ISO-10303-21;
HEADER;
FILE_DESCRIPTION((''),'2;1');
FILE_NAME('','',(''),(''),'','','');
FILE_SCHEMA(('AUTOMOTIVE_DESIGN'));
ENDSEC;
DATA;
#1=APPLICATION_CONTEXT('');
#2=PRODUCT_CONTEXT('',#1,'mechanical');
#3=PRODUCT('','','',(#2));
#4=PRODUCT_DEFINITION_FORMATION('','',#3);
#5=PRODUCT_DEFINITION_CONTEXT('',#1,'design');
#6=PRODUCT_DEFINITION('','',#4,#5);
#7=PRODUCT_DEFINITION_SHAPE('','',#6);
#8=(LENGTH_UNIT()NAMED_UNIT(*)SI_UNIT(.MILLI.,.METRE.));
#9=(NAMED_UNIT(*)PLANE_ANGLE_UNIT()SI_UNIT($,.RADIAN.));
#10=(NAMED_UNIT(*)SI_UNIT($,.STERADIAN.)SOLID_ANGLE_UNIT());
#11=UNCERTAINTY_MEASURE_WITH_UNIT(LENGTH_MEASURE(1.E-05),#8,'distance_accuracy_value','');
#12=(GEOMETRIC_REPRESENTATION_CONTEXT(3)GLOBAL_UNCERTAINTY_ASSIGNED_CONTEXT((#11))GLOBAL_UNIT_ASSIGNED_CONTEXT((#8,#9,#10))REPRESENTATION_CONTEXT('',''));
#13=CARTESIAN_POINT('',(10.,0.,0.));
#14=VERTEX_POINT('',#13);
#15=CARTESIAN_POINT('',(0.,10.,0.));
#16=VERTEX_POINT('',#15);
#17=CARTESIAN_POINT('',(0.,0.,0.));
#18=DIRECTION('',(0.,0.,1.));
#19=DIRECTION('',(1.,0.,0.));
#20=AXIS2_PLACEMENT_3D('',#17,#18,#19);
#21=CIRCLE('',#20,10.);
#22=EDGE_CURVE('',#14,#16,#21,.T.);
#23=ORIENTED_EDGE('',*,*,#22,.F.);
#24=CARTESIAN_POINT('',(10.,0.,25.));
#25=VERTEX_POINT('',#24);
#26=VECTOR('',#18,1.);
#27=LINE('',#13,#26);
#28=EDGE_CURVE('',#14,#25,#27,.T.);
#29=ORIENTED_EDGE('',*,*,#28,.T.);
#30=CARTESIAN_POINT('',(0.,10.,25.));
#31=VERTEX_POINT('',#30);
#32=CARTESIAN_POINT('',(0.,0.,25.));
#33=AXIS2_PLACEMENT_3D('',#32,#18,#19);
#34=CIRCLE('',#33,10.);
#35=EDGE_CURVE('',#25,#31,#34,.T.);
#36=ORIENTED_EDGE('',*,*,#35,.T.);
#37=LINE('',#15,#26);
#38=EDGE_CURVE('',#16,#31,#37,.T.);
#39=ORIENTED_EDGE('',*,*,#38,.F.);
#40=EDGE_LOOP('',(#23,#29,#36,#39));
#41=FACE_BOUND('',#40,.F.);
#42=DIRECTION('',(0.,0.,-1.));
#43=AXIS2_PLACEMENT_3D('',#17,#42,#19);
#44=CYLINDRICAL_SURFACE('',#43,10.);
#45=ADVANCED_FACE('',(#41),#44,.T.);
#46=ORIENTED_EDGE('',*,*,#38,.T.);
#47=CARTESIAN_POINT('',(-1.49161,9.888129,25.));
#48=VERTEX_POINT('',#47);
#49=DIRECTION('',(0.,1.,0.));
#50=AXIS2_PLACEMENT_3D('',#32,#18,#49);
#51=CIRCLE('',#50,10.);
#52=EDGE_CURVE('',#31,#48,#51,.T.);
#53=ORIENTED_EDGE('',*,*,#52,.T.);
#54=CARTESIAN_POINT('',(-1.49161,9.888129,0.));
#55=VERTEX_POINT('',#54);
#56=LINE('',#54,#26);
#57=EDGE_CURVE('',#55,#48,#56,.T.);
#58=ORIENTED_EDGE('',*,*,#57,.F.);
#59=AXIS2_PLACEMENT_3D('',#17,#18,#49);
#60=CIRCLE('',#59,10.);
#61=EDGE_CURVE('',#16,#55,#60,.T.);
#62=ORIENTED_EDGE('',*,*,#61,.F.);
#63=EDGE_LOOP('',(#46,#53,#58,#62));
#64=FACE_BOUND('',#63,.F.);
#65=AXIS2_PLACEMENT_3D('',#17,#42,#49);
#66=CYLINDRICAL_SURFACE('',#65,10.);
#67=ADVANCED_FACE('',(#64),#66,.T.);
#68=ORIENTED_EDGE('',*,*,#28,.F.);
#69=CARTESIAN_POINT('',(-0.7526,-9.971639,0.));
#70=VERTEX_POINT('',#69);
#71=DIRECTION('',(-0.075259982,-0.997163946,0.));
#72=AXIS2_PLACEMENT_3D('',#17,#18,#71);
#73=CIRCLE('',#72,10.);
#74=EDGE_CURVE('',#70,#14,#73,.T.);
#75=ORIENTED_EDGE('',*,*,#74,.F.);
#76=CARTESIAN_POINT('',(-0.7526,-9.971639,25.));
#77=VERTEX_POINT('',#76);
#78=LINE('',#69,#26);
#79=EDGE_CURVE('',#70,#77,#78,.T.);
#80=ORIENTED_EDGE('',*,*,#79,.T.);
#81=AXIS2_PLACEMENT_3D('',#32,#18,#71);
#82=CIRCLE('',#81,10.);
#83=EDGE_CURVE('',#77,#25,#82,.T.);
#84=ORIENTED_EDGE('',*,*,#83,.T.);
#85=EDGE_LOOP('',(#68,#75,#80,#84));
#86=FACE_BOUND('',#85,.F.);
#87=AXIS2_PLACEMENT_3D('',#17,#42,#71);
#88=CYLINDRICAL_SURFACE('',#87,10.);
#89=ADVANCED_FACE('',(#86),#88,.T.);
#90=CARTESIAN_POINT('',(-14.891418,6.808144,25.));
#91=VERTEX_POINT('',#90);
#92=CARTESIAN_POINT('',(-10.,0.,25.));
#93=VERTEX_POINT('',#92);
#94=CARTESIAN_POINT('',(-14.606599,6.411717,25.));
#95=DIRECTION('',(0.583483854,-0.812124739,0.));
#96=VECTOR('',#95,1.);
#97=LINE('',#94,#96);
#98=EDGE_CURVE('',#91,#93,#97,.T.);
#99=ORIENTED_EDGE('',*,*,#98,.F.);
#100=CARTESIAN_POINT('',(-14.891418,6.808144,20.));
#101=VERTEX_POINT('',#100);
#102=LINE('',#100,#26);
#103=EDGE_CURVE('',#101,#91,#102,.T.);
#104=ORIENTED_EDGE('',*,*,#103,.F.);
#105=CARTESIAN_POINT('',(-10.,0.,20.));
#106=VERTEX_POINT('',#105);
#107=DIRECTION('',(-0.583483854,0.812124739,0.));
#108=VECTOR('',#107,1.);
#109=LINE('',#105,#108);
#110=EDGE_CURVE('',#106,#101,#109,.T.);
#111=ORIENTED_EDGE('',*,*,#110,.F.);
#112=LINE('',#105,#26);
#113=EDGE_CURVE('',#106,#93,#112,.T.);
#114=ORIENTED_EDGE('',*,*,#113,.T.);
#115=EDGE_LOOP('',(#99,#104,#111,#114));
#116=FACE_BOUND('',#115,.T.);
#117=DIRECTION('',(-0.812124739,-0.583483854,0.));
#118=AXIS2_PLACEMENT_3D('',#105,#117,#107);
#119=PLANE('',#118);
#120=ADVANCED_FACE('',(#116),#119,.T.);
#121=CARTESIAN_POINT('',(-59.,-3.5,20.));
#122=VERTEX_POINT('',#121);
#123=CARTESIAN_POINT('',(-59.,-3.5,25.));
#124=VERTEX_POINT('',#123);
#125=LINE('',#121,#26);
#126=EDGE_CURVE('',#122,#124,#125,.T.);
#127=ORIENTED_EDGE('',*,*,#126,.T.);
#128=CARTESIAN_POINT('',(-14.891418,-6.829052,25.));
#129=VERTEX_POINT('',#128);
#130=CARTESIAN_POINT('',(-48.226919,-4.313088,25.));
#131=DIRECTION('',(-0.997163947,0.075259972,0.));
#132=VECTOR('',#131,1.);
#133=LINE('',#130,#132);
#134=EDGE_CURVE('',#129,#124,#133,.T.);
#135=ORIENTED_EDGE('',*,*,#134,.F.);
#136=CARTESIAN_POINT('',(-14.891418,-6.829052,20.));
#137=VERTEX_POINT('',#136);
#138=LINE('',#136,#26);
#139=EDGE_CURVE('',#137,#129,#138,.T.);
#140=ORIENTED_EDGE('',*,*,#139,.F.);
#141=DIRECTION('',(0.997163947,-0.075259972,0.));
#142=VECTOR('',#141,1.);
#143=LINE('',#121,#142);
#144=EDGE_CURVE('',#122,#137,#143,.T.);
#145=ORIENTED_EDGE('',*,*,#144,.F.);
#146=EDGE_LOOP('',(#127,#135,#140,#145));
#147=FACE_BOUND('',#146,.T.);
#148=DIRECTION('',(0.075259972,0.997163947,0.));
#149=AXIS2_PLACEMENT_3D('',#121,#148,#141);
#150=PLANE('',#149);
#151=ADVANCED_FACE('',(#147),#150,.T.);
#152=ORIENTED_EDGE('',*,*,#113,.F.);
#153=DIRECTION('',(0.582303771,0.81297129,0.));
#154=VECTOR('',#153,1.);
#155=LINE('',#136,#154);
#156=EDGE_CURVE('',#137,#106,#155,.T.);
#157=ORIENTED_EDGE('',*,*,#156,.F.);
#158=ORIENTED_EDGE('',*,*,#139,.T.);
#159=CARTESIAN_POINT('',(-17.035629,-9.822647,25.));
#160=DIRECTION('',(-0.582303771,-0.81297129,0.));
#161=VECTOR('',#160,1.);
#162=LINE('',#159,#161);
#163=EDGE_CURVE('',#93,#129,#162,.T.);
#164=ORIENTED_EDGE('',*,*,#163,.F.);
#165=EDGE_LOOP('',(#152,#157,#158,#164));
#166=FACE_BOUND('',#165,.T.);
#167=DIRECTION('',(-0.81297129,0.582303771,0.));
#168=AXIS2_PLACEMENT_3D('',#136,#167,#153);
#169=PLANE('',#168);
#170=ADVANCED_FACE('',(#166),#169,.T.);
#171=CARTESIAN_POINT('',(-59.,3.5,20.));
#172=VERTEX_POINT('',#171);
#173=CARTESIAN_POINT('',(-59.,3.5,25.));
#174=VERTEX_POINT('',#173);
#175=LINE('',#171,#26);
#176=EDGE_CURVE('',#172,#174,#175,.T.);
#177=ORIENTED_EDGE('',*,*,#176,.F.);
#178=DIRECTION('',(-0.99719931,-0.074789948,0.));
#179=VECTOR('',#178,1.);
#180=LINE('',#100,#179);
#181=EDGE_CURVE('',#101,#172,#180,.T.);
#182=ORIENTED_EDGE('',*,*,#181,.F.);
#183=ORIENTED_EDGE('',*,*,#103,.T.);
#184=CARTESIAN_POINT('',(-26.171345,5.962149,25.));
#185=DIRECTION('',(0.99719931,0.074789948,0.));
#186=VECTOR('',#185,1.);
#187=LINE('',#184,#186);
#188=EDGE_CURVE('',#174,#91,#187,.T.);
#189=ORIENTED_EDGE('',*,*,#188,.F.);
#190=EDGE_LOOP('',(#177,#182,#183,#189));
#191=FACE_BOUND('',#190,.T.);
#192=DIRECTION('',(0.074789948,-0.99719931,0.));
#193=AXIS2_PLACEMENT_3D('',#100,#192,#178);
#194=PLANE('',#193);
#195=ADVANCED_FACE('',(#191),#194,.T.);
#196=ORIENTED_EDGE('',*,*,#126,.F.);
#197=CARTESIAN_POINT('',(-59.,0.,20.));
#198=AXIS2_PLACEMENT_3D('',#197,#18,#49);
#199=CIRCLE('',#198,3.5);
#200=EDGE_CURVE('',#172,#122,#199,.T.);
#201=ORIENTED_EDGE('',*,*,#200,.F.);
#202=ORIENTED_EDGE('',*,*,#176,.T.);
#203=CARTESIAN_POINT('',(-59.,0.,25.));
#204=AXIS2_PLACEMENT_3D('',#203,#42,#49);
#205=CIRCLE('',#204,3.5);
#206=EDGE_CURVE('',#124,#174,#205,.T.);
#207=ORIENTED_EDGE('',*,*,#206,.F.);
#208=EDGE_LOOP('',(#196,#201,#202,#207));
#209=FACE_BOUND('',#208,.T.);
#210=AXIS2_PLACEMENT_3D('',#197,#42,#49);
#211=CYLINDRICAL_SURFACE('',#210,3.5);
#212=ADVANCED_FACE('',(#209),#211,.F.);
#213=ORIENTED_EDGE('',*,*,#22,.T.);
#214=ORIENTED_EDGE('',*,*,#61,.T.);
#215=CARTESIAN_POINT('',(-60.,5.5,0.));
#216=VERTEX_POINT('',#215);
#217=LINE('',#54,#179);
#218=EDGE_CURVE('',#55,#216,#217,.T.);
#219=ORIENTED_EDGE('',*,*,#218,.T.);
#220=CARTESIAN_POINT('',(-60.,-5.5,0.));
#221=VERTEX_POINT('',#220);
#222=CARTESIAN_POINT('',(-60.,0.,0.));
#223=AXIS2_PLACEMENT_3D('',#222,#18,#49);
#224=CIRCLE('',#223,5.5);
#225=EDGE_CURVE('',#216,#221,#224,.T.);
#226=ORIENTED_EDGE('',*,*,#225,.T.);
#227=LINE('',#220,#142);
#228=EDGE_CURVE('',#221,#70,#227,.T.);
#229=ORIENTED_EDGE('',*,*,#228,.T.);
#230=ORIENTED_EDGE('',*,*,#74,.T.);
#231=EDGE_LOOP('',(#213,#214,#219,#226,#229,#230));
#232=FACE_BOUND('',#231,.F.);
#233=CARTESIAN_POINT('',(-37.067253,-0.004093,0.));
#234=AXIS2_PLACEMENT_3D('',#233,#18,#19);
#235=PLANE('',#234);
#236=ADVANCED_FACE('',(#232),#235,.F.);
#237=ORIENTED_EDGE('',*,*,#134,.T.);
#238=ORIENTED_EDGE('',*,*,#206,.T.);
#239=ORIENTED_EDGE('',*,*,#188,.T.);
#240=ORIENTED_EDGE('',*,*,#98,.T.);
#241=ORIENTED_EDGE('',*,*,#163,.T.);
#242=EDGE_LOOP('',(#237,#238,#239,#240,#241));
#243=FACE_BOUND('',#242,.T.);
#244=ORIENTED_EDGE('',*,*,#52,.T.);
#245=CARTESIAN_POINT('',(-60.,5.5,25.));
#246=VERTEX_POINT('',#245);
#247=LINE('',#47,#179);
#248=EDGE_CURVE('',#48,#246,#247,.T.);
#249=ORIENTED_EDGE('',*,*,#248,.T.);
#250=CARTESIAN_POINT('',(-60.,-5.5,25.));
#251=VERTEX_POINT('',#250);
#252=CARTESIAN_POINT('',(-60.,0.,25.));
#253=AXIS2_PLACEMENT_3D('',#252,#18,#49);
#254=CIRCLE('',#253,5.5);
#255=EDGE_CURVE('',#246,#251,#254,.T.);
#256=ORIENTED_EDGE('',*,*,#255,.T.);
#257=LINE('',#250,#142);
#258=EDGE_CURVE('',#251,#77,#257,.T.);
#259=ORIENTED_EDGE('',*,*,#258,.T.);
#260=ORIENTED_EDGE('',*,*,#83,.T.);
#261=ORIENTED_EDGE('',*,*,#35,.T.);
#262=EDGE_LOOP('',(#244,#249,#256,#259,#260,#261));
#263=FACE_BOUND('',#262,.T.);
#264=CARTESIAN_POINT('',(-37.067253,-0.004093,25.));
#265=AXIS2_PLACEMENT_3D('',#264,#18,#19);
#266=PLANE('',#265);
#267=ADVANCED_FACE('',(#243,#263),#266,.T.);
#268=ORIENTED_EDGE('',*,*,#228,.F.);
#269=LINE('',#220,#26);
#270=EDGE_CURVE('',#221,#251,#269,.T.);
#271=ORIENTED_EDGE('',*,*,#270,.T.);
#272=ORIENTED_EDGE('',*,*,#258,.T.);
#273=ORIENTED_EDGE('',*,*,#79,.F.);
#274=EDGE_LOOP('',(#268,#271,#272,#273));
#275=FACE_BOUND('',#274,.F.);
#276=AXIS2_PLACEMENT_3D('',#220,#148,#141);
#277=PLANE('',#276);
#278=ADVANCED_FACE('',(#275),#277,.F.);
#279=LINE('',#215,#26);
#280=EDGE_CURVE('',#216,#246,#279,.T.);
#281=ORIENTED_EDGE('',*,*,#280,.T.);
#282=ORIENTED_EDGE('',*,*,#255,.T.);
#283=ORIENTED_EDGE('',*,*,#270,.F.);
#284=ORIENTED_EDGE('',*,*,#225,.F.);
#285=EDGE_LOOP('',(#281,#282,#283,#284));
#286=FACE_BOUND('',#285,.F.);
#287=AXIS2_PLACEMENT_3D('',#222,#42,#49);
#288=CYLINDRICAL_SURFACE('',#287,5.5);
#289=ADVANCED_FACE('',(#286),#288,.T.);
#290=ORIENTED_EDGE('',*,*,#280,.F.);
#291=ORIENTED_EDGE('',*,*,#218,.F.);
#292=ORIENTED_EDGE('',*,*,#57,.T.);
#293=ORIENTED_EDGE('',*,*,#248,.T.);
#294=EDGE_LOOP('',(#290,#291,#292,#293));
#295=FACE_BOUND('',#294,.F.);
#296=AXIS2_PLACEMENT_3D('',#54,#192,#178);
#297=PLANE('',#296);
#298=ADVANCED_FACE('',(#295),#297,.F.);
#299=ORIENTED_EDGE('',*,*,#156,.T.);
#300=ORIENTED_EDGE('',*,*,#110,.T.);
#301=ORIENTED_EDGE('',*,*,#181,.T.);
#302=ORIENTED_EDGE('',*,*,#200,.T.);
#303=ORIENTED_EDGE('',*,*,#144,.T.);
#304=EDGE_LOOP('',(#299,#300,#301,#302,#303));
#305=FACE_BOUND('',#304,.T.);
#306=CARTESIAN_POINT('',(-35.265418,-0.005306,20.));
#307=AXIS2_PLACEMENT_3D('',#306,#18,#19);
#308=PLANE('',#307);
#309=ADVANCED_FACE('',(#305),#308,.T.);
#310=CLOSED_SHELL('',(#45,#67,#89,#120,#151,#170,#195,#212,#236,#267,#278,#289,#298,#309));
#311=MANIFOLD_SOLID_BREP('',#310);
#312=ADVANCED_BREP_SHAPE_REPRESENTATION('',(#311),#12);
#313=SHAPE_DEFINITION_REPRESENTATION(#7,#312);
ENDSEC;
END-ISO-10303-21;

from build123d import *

# Parameters (mm, degrees)
F0_R     = 7
F0_R_2   = 6
F1_DEPTH = 25
F3_START = 20
F3_DEPTH = 10


with BuildPart() as f1:
    # F0 (on Top) → F1 (new body)
    with BuildSketch(Plane.XY):
        with BuildLine():
            Line((-23.5798439344, -6.2340971038), (-10, 0))
            Line((-10, 0), (-23.5798439344, 6.2170174071))
            Line((-23.5798439344, 6.2170174071), (-59.8497580387, 3.4967738493))
            ThreePointArc((-59.8497580387, 3.4967738493), (-63.4999999675, -0.0004767763), (-59.8488053705, -3.496732787))
            Line((-59.8488053705, -3.496732787), (-23.5798439344, -6.2340971038))
        make_face()
        with BuildLine():
            ThreePointArc((-0.7525998222, -9.9716394594), (6.7997794735, -7.3323256277), (10, 0))
            ThreePointArc((10, 0), (7.0710678119, 7.0710678119), (0, 10))
            Line((0, 10), (-1.4916096955, 9.8881292728))
            ThreePointArc((-1.4916096955, 9.8881292728), (-4.2331341707, 9.059833061), (-6.6274556663, 7.4884465272))
            ThreePointArc((-6.6274556663, 7.4884465272), (-9.1179645937, 4.1064244384), (-10, 0))
            ThreePointArc((-10, 0), (-9.1094152791, -4.125354927), (-6.5962893453, -7.5159142407))
            ThreePointArc((-6.5962893453, -7.5159142407), (-3.8741695351, -9.2190460685), (-0.7525998222, -9.9716394594))
        make_face()
        Circle(F0_R, mode=Mode.SUBTRACT)
        Circle(F0_R)
        Circle(F0_R_2, mode=Mode.SUBTRACT)
        Circle(F0_R_2)
        with BuildLine():
            Line((-60, -5.5), (-0.7525998222, -9.9716394594))
            ThreePointArc((-0.7525998222, -9.9716394594), (-3.8741695351, -9.2190460685), (-6.5962893453, -7.5159142407))
            Line((-6.5962893453, -7.5159142407), (-23.5798439344, -6.2340971038))
            Line((-23.5798439344, -6.2340971038), (-59.8488053705, -3.496732787))
            Line((-59.8488053705, -3.496732787), (-60, -5.5))
        make_face()
        with BuildLine():
            ThreePointArc((-6.6274556663, 7.4884465272), (-4.2331341707, 9.059833061), (-1.4916096955, 9.8881292728))
            Line((-1.4916096955, 9.8881292728), (-60, 5.5))
            Line((-60, 5.5), (-59.8497580387, 3.4967738493))
            Line((-59.8497580387, 3.4967738493), (-23.5798439344, 6.2170174071))
            Line((-23.5798439344, 6.2170174071), (-6.6274556663, 7.4884465272))
        make_face()
        with BuildLine():
            Line((-23.5798439344, -6.2340971038), (-6.5962893453, -7.5159142407))
            ThreePointArc((-6.5962893453, -7.5159142407), (-9.1094152791, -4.125354927), (-10, 0))
            Line((-10, 0), (-23.5798439344, -6.2340971038))
        make_face()
        with BuildLine():
            ThreePointArc((-10, 0), (-9.1179645937, 4.1064244384), (-6.6274556663, 7.4884465272))
            Line((-6.6274556663, 7.4884465272), (-23.5798439344, 6.2170174071))
            Line((-23.5798439344, 6.2170174071), (-10, 0))
        make_face()
        with BuildLine():
            ThreePointArc((-60, 5.5), (-65.5, 0), (-60, -5.5))
            Line((-60, -5.5), (-59.8488053705, -3.496732787))
            ThreePointArc((-59.8488053705, -3.496732787), (-63.4999999675, -0.0004767763), (-59.8497580387, 3.4967738493))
            Line((-59.8497580387, 3.4967738493), (-60, 5.5))
        make_face()
        with BuildLine():
            Line((-1.4916096955, 9.8881292728), (0, 10))
            ThreePointArc((0, 10), (-0.7478994824, 9.9719930989), (-1.4916096955, 9.8881292728))
        make_face()
    extrude(amount=F1_DEPTH)

    # F2 (on Top) → F3 (cut)
    with BuildSketch(Plane.XY.offset(F3_START)):
        with BuildLine():
            ThreePointArc((-59, 3.5), (-56.5251262658, 2.4748737342), (-55.5, 0))
            ThreePointArc((-55.5, 0), (-56.5251262658, -2.4748737342), (-59, -3.5))
            Line((-59, -3.5), (-14.8914183851, -6.8290519661))
            Line((-14.8914183851, -6.8290519661), (-10, 0))
            Line((-10, 0), (-14.8914183851, 6.8081436211))
            Line((-14.8914183851, 6.8081436211), (-59, 3.5))
        make_face()
        with BuildLine():
            ThreePointArc((-59, -3.5), (-56.5251262658, -2.4748737342), (-55.5, 0))
            ThreePointArc((-55.5, 0), (-56.5251262658, 2.4748737342), (-59, 3.5))
            ThreePointArc((-59, 3.5), (-62.5, 0), (-59, -3.5))
        make_face()
    extrude(amount=F3_DEPTH, mode=Mode.SUBTRACT)


solid = f1.part
